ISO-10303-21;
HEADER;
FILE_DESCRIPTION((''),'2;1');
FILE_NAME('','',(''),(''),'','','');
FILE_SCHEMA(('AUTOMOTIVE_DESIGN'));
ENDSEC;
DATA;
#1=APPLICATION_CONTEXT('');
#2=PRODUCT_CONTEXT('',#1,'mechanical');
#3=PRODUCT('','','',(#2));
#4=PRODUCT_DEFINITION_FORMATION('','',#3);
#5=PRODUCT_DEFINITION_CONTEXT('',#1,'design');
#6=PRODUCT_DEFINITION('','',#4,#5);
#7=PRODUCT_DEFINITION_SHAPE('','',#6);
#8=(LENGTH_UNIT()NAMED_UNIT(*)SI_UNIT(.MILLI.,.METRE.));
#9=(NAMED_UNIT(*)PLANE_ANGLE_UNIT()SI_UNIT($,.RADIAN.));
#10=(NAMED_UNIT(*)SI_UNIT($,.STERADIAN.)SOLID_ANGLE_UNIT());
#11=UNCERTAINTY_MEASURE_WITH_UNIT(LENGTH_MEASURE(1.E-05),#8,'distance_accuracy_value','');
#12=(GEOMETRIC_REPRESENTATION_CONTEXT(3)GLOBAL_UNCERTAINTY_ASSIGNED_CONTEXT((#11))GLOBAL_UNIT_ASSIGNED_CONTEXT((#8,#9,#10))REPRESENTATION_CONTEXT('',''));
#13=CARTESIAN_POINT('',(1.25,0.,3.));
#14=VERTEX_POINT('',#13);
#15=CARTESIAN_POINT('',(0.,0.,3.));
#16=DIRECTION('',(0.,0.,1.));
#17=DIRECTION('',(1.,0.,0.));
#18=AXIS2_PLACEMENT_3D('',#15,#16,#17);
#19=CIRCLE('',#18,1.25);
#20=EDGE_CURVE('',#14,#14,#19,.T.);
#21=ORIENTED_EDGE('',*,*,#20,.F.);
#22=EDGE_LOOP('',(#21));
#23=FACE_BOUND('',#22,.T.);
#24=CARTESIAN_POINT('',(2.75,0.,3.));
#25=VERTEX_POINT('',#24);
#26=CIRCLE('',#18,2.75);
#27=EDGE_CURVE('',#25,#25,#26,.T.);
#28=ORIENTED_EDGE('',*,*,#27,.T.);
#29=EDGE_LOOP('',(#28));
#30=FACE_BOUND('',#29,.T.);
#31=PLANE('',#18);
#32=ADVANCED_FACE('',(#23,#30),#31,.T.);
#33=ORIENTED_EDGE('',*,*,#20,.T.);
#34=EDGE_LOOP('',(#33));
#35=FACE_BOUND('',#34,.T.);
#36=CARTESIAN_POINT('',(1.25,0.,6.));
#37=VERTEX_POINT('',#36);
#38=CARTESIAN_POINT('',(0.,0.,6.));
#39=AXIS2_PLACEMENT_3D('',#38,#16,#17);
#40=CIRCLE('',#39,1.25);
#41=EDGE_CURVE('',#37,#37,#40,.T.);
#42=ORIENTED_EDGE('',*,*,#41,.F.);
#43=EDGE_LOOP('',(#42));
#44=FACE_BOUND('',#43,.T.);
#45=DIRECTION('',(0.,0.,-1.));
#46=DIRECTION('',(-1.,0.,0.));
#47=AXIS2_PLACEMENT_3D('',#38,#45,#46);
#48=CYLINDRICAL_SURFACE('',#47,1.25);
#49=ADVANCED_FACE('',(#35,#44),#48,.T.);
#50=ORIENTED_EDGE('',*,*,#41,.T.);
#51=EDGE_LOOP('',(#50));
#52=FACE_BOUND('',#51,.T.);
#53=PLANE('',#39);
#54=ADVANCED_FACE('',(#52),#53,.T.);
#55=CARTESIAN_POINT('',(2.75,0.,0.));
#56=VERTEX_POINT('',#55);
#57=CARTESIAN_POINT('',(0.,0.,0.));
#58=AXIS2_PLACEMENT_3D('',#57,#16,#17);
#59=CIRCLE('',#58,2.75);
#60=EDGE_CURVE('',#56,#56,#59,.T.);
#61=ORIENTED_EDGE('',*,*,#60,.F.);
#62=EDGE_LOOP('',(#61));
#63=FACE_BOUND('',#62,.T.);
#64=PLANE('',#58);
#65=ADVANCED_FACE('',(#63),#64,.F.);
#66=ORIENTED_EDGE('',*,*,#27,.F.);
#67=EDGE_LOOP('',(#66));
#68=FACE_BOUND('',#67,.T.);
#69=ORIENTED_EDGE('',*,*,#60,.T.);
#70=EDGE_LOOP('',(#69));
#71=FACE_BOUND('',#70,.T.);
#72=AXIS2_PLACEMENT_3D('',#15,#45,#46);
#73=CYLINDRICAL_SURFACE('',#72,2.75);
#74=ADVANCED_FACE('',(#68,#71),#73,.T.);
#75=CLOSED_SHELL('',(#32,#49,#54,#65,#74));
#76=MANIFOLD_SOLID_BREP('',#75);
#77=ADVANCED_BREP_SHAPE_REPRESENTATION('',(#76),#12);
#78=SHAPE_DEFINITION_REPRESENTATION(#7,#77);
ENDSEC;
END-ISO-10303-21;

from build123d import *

# Parameters (mm, degrees)
SKETCH_1_R      = 2.75
EXTRUDE_1_DEPTH = 3
SKETCH_2_R      = 1.25
EXTRUDE_2_DEPTH = 3


with BuildPart() as part:
    # 草图1 → 凸台-拉伸1 (new body)
    with BuildSketch(Plane.XY):
        Circle(SKETCH_1_R)
    extrude(amount=EXTRUDE_1_DEPTH)

    # 草图2 → 凸台-拉伸2 (add)
    with BuildSketch(Plane.XY.offset(3)):
        Circle(SKETCH_2_R)
    extrude(amount=EXTRUDE_2_DEPTH)


solid = part.part
